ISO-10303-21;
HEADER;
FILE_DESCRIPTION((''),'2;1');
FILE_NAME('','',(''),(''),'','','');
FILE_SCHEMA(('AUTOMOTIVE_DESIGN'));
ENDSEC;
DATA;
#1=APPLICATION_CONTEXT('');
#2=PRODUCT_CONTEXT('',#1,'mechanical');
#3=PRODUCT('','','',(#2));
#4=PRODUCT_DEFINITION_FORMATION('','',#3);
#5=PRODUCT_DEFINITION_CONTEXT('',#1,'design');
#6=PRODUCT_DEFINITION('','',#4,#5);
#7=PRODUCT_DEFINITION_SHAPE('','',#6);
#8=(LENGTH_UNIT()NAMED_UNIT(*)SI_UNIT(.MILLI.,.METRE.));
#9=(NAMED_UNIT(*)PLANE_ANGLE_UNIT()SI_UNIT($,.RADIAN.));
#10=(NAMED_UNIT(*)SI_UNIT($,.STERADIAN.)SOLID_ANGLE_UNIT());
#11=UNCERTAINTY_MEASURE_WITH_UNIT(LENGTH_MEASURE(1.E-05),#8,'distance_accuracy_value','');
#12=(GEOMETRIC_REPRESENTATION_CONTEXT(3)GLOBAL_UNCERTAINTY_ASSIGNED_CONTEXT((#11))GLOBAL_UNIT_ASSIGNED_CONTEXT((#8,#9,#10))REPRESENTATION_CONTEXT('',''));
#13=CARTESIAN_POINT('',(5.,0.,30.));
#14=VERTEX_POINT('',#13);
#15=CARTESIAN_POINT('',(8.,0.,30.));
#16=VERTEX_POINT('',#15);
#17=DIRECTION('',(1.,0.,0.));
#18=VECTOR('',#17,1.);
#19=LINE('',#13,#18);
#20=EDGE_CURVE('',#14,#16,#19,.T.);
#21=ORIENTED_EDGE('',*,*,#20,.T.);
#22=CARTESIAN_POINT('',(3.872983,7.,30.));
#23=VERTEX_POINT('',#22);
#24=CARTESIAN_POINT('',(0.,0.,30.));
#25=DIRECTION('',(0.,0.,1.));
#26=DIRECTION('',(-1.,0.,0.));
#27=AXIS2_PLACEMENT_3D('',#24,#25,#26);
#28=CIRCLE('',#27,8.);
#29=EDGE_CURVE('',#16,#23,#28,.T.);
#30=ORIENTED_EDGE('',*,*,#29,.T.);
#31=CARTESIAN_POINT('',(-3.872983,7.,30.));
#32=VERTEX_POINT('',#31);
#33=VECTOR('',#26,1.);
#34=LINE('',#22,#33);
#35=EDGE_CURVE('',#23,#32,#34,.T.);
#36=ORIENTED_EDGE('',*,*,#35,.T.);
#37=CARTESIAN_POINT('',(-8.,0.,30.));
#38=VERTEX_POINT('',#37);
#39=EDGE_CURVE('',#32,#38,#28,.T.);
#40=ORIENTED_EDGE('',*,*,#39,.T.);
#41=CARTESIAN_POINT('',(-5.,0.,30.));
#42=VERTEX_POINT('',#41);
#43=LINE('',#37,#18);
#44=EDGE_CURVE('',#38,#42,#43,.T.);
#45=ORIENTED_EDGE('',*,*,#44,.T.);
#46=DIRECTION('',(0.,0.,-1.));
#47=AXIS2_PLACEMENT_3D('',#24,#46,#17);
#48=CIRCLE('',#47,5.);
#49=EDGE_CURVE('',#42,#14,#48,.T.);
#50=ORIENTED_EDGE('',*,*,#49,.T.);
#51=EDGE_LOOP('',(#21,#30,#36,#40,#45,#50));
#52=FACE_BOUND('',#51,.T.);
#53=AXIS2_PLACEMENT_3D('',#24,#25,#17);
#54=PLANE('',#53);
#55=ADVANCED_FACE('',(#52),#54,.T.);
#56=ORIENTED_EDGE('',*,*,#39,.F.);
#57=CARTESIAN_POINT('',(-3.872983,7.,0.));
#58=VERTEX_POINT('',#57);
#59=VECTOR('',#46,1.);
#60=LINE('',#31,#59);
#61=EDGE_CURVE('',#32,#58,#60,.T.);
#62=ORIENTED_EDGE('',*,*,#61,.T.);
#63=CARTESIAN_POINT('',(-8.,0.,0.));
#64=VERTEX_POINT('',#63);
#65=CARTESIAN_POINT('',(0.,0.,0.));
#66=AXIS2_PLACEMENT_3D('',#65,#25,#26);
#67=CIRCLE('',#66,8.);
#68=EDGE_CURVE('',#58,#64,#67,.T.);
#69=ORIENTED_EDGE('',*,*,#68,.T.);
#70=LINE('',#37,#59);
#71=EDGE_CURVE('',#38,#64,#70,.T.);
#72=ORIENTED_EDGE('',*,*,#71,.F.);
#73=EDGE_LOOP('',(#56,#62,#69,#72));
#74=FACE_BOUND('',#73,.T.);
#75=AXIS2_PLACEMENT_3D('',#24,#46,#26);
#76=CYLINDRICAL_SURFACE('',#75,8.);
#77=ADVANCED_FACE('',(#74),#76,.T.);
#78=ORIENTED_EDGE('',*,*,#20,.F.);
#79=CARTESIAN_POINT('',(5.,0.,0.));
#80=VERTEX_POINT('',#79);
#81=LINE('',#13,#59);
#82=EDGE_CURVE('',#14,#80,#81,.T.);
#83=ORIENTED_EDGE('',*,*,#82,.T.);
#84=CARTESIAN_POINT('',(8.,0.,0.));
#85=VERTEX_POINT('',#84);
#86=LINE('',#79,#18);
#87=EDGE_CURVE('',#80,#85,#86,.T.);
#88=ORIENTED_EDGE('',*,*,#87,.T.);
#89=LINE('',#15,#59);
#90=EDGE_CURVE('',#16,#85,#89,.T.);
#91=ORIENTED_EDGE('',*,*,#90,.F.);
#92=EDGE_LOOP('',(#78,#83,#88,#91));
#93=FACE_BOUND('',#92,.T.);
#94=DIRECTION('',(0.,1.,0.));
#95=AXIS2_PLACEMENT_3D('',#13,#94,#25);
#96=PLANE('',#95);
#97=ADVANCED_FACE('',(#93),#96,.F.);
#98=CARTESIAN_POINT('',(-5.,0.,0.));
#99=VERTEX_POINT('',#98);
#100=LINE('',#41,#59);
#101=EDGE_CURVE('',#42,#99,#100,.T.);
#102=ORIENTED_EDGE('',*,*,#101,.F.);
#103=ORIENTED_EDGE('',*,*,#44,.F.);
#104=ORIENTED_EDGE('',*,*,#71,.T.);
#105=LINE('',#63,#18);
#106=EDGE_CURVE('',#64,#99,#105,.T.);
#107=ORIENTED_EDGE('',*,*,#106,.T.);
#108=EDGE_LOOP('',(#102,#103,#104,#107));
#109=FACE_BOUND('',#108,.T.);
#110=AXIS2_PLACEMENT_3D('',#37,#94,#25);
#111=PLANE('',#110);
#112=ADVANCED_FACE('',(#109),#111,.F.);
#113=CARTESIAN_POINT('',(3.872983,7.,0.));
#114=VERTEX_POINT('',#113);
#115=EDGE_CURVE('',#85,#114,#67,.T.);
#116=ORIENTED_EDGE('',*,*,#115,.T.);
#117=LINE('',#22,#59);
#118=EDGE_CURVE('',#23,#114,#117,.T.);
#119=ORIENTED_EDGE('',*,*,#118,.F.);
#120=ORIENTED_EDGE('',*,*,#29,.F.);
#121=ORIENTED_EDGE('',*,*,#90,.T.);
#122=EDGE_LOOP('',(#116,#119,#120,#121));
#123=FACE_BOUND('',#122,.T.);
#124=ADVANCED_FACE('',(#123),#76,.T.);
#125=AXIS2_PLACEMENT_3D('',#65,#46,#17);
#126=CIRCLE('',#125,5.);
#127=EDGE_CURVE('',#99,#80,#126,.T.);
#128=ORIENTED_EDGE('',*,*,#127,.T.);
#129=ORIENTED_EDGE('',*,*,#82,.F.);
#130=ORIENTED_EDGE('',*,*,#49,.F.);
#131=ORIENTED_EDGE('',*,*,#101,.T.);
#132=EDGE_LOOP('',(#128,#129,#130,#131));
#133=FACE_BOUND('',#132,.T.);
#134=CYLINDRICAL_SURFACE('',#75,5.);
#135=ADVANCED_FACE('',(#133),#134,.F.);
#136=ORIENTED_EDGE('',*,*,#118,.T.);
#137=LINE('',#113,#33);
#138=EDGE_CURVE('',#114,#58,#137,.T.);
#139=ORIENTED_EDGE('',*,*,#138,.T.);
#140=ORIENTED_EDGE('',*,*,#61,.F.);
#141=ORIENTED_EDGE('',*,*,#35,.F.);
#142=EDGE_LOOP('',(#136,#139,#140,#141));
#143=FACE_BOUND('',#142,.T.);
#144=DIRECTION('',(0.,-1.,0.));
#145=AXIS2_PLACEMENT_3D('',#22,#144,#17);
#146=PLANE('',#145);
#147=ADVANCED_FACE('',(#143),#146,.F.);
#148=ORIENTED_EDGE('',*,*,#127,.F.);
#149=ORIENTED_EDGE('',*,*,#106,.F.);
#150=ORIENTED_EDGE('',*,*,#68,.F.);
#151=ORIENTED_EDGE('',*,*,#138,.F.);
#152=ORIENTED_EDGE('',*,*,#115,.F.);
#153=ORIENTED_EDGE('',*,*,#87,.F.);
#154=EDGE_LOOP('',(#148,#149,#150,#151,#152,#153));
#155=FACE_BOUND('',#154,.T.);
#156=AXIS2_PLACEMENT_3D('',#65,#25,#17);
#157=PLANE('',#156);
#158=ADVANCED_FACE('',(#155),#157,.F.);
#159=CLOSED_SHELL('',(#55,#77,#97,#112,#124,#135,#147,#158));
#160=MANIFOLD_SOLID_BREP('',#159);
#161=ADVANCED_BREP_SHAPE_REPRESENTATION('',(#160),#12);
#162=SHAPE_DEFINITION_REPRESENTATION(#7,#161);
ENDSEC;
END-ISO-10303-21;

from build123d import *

# Parameters (mm, degrees)
SALIENTE_EXTRUIR1_DEPTH = 30


with BuildPart() as part:
    # Croquis1 → Saliente-Extruir1 (new body)
    with BuildSketch(Plane.XY):
        with BuildLine():
            Line((-8, 0), (-5, 0))
            ThreePointArc((-5, 0), (0, 5), (5, 0))
            Line((5, 0), (8, 0))
            ThreePointArc((8, 0), (6.891439137, 4.063012013), (3.872983346, 7))
            Line((3.872983346, 7), (-3.872983346, 7))
            ThreePointArc((-3.872983346, 7), (-6.891439137, 4.063012013), (-8, 0))
        make_face()
    extrude(amount=SALIENTE_EXTRUIR1_DEPTH)


solid = part.part
